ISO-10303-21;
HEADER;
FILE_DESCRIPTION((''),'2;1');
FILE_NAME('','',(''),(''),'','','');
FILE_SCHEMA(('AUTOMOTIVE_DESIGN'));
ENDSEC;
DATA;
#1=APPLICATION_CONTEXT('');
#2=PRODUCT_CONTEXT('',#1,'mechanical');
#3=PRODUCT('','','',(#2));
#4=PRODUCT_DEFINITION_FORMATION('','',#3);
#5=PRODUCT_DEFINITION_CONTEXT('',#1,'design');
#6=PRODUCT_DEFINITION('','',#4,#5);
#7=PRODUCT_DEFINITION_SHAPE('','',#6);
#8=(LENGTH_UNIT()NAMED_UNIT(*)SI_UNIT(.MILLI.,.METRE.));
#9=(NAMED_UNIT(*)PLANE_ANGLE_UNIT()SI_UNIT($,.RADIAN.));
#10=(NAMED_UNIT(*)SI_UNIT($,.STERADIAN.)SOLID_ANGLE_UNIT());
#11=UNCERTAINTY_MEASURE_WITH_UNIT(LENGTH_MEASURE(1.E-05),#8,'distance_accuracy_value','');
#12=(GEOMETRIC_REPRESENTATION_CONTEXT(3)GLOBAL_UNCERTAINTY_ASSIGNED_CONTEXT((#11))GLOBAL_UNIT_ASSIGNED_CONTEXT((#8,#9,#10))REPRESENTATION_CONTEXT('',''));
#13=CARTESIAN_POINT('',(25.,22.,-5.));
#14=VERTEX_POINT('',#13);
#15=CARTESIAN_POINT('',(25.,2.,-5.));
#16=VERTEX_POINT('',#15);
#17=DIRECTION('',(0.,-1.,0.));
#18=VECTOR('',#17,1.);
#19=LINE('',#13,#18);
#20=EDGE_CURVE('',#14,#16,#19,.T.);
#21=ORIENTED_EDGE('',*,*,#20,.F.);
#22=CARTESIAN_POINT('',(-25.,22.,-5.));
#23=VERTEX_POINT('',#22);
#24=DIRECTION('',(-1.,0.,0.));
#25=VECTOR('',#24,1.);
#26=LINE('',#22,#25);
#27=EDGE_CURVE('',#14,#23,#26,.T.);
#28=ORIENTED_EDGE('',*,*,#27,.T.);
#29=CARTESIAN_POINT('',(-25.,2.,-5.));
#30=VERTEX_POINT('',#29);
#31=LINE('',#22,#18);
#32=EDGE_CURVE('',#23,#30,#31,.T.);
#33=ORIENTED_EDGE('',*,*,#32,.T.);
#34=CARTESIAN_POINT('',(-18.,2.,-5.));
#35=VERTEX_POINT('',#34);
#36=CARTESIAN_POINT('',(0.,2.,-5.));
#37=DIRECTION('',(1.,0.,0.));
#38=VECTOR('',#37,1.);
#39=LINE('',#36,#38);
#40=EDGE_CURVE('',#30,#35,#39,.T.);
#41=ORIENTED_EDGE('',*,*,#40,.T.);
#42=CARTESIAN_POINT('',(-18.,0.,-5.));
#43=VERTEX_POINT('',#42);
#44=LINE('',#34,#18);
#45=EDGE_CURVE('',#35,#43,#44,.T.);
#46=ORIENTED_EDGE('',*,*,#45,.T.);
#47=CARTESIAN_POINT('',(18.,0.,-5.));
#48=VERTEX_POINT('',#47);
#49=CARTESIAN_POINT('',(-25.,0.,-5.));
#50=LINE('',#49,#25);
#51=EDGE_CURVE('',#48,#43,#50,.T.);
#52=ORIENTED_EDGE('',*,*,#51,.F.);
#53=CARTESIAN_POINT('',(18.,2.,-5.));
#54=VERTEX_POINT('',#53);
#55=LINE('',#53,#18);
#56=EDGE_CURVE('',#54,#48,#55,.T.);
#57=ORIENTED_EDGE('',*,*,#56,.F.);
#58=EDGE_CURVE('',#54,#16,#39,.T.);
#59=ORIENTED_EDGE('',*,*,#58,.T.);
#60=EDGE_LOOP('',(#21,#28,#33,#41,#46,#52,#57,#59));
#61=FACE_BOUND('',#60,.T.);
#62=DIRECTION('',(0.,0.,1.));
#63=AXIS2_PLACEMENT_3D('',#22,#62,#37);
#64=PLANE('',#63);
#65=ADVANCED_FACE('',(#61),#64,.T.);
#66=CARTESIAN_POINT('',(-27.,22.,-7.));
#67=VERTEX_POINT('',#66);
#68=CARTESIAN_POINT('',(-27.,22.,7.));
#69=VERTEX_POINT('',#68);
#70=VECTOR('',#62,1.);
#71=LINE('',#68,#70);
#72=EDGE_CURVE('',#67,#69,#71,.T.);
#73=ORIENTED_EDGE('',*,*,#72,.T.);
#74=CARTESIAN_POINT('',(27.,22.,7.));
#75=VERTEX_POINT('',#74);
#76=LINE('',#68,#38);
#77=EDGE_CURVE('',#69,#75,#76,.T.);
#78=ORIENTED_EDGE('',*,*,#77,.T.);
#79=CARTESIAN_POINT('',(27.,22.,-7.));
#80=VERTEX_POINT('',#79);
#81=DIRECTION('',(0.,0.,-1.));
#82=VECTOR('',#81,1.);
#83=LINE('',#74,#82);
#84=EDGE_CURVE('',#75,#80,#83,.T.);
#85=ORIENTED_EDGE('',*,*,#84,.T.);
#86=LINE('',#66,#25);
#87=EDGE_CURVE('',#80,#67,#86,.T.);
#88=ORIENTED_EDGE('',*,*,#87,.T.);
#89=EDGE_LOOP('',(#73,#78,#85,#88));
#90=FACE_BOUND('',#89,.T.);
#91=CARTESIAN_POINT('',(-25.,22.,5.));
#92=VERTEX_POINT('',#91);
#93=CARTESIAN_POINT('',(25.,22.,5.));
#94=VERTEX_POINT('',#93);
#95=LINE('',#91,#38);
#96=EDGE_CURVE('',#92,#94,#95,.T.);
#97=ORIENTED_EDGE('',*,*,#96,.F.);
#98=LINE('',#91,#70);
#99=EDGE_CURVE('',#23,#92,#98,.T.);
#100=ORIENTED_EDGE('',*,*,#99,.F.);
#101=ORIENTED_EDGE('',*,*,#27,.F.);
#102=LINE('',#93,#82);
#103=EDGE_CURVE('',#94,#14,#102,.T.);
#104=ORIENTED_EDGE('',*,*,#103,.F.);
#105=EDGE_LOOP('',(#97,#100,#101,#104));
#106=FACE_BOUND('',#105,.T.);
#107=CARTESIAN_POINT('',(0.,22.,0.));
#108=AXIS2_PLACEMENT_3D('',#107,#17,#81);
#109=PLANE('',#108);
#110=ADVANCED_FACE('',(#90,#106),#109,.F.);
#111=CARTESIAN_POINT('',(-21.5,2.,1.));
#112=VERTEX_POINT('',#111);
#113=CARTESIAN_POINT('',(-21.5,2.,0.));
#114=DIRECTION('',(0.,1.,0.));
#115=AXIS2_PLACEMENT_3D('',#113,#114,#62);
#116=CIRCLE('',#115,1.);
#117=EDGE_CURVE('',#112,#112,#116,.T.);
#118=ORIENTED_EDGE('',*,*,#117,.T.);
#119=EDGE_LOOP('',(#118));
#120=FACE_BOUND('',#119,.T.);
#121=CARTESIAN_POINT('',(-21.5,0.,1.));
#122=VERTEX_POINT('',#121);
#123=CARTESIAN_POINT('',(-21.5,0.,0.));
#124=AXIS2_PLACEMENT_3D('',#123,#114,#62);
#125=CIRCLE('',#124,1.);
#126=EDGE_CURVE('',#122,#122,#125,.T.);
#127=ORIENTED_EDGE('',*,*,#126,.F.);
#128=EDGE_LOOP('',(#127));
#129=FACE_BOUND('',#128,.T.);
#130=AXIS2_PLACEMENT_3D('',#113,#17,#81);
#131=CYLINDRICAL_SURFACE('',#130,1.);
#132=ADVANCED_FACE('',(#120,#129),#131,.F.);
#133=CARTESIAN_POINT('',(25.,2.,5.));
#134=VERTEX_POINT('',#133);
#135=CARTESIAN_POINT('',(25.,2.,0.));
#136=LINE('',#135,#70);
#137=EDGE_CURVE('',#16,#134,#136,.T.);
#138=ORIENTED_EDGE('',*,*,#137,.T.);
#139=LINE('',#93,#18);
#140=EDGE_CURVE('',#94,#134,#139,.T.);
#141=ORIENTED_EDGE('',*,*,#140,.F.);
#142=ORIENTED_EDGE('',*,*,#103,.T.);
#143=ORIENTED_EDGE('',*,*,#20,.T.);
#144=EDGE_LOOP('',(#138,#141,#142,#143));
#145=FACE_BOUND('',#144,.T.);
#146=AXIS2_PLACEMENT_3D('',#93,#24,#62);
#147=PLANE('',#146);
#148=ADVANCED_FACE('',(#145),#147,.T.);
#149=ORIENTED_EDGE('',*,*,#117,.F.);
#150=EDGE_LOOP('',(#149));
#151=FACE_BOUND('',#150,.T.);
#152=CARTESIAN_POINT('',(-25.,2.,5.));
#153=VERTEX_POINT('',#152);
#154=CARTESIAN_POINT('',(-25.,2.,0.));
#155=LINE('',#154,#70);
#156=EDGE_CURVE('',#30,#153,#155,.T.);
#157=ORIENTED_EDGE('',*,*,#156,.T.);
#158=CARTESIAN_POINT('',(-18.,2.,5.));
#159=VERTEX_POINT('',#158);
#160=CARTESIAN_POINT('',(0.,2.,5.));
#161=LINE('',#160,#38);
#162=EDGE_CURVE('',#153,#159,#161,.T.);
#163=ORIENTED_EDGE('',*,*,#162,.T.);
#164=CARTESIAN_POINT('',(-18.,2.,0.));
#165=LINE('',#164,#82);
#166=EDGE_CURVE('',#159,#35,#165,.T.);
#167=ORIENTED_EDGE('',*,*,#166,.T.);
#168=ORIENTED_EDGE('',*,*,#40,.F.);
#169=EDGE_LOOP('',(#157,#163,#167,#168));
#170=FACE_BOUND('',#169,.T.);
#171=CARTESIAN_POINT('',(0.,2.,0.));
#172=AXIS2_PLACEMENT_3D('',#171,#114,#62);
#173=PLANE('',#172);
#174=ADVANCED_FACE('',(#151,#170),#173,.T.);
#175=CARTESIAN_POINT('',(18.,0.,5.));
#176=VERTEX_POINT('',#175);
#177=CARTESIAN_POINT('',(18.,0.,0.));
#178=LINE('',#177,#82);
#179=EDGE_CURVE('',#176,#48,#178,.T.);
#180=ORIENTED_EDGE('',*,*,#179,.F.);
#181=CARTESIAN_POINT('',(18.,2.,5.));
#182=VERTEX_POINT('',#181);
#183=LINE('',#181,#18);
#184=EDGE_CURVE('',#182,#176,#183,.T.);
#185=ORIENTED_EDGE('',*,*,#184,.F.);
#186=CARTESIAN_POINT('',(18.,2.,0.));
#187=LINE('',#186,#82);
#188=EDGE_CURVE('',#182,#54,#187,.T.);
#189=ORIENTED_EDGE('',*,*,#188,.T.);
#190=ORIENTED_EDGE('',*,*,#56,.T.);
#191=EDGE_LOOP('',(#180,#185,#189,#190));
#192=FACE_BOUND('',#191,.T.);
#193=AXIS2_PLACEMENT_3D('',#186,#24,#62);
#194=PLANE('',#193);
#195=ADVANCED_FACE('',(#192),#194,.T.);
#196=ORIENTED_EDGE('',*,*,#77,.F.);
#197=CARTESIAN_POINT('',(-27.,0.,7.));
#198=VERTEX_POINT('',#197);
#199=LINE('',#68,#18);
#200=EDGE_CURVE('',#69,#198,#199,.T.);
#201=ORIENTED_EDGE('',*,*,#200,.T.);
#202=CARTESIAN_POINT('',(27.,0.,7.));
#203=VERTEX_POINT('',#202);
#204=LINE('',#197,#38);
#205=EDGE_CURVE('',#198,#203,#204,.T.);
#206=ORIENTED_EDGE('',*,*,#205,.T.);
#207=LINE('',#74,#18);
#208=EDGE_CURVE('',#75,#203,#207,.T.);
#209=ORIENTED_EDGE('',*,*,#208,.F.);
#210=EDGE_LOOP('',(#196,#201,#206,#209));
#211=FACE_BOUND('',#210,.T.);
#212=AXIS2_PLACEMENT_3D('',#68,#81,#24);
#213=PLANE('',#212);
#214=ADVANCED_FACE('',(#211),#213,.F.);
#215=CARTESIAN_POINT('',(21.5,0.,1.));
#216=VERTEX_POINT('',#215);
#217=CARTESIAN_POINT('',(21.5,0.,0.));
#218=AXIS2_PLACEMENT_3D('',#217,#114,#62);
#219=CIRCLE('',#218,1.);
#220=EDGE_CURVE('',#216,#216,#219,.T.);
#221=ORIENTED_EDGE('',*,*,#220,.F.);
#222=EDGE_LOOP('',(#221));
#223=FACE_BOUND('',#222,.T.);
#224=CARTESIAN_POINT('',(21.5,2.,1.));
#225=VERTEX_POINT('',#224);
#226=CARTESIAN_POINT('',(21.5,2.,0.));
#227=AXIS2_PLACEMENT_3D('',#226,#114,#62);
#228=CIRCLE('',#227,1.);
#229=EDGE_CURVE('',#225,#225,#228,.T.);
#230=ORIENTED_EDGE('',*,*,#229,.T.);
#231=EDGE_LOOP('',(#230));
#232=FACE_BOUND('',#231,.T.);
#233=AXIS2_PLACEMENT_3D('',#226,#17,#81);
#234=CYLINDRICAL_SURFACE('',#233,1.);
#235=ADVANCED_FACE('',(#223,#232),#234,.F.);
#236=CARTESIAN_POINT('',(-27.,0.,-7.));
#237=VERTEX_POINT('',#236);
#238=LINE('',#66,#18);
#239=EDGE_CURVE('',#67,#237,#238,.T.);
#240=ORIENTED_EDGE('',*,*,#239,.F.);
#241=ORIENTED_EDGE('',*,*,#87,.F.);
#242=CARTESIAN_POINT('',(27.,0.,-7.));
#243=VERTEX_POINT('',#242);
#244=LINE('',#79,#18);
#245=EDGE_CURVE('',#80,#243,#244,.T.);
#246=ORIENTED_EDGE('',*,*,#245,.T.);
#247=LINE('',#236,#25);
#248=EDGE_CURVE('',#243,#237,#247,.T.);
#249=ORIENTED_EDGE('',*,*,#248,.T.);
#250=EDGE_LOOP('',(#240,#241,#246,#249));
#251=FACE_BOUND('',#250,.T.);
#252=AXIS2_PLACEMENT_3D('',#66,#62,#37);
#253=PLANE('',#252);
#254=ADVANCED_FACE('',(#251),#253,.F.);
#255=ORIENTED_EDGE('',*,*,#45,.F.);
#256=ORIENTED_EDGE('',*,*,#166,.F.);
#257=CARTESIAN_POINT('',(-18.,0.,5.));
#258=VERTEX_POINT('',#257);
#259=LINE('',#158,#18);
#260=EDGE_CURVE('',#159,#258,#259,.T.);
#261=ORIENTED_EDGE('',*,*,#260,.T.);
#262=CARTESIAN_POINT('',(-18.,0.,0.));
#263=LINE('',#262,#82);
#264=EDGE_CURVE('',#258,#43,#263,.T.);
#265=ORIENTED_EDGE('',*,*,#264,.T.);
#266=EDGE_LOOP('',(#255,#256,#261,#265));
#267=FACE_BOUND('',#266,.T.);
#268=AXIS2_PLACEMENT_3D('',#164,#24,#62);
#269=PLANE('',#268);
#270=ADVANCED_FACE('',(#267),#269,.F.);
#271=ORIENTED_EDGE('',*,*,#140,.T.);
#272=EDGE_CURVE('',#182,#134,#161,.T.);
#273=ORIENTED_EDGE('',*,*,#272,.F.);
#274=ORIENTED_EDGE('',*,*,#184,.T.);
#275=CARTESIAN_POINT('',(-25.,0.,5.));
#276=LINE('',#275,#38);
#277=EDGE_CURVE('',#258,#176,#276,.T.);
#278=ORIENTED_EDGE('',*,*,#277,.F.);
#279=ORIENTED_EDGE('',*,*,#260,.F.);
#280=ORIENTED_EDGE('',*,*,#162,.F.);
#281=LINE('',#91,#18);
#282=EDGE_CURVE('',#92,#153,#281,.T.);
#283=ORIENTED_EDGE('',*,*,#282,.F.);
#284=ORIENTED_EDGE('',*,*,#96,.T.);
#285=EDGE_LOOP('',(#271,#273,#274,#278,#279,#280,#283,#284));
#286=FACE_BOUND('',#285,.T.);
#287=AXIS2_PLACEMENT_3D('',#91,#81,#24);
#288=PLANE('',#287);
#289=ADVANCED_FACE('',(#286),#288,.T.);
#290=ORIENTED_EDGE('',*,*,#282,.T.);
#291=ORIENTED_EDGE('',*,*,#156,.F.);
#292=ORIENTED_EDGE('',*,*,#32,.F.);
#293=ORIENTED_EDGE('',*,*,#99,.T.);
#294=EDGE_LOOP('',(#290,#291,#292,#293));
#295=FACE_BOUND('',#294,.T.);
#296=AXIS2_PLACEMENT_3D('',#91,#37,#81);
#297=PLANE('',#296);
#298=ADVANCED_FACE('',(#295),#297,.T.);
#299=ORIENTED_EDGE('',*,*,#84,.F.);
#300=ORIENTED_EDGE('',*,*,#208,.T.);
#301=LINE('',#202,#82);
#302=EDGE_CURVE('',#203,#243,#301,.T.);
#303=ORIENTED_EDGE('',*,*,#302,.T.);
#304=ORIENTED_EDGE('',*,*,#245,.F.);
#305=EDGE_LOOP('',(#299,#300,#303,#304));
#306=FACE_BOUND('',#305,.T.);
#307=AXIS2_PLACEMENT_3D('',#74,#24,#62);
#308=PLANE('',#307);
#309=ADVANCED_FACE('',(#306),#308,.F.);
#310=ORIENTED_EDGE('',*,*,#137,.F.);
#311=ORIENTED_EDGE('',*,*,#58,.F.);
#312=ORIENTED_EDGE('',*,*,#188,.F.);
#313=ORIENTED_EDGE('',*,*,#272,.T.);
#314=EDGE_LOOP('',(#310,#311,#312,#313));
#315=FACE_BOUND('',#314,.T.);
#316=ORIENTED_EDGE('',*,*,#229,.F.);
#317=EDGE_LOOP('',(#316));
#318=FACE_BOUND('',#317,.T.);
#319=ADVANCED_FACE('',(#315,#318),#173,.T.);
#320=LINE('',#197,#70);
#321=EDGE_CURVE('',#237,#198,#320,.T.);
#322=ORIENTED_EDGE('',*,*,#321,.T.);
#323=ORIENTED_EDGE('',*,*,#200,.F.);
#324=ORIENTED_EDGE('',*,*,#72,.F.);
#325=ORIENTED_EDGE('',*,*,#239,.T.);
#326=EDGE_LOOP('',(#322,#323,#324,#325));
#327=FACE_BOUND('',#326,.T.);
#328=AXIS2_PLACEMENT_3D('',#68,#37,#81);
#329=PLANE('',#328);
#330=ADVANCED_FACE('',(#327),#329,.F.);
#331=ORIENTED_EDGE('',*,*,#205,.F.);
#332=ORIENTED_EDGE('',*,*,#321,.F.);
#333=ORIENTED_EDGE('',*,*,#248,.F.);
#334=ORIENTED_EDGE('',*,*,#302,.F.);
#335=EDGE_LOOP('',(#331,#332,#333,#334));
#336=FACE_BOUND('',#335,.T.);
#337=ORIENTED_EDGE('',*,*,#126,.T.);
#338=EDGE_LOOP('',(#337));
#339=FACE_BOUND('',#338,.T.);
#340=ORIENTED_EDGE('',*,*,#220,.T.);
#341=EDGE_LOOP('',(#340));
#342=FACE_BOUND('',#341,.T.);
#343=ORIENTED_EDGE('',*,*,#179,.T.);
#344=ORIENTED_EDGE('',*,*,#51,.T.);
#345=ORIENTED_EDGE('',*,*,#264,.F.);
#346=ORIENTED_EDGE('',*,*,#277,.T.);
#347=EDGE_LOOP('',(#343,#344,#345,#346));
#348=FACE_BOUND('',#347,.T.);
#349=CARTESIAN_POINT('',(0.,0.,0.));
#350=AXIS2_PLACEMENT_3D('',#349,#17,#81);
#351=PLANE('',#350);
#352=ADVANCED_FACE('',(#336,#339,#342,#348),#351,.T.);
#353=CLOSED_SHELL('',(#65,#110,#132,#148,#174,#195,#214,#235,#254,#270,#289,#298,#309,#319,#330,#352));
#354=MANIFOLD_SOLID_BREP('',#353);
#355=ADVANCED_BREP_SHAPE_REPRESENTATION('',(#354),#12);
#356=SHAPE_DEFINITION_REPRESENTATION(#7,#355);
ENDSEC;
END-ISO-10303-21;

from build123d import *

# Parameters (mm, degrees)
SKETCH3_W           = 54
SKETCH3_H           = 14
SKETCH3_W_2         = 50
SKETCH3_H_2         = 10
BOSS_EXTRUDE1_DEPTH = 22
SKETCH4_W           = 7
SKETCH4_H           = 10
SKETCH4_R           = 1
BOSS_EXTRUDE2_DEPTH = 2


with BuildPart() as part:
    # Sketch3 → Boss-Extrude1 (new body)
    with BuildSketch(Plane(origin=(0, 0, 0), x_dir=(1, 0, 0), z_dir=(0, 1, 0))):
        Rectangle(SKETCH3_W, SKETCH3_H)
        Rectangle(SKETCH3_W_2, SKETCH3_H_2, mode=Mode.SUBTRACT)
    extrude(amount=BOSS_EXTRUDE1_DEPTH)

    # Sketch4 → Boss-Extrude2 (add)
    # profile 1 of 2: a face of its own
    with BuildSketch(Plane(origin=(0, 0, 0), x_dir=(1, 0, 0), z_dir=(0, 1, 0))):
        with Locations((-21.5, 0)):
            Rectangle(SKETCH4_W, SKETCH4_H)
        with Locations(Location((-21.5, 0, 0), (0, 0, 270))):
            Circle(SKETCH4_R, mode=Mode.SUBTRACT)
    # profile 2 of 2: a face of its own
    with BuildSketch(Plane(origin=(0, 0, 0), x_dir=(1, 0, 0), z_dir=(0, 1, 0))):
        with Locations((21.5, 0)):
            Rectangle(SKETCH4_W, SKETCH4_H)
        with Locations(Location((21.5, 0, 0), (0, 0, 270))):
            Circle(SKETCH4_R, mode=Mode.SUBTRACT)
    extrude(amount=BOSS_EXTRUDE2_DEPTH)


solid = part.part
